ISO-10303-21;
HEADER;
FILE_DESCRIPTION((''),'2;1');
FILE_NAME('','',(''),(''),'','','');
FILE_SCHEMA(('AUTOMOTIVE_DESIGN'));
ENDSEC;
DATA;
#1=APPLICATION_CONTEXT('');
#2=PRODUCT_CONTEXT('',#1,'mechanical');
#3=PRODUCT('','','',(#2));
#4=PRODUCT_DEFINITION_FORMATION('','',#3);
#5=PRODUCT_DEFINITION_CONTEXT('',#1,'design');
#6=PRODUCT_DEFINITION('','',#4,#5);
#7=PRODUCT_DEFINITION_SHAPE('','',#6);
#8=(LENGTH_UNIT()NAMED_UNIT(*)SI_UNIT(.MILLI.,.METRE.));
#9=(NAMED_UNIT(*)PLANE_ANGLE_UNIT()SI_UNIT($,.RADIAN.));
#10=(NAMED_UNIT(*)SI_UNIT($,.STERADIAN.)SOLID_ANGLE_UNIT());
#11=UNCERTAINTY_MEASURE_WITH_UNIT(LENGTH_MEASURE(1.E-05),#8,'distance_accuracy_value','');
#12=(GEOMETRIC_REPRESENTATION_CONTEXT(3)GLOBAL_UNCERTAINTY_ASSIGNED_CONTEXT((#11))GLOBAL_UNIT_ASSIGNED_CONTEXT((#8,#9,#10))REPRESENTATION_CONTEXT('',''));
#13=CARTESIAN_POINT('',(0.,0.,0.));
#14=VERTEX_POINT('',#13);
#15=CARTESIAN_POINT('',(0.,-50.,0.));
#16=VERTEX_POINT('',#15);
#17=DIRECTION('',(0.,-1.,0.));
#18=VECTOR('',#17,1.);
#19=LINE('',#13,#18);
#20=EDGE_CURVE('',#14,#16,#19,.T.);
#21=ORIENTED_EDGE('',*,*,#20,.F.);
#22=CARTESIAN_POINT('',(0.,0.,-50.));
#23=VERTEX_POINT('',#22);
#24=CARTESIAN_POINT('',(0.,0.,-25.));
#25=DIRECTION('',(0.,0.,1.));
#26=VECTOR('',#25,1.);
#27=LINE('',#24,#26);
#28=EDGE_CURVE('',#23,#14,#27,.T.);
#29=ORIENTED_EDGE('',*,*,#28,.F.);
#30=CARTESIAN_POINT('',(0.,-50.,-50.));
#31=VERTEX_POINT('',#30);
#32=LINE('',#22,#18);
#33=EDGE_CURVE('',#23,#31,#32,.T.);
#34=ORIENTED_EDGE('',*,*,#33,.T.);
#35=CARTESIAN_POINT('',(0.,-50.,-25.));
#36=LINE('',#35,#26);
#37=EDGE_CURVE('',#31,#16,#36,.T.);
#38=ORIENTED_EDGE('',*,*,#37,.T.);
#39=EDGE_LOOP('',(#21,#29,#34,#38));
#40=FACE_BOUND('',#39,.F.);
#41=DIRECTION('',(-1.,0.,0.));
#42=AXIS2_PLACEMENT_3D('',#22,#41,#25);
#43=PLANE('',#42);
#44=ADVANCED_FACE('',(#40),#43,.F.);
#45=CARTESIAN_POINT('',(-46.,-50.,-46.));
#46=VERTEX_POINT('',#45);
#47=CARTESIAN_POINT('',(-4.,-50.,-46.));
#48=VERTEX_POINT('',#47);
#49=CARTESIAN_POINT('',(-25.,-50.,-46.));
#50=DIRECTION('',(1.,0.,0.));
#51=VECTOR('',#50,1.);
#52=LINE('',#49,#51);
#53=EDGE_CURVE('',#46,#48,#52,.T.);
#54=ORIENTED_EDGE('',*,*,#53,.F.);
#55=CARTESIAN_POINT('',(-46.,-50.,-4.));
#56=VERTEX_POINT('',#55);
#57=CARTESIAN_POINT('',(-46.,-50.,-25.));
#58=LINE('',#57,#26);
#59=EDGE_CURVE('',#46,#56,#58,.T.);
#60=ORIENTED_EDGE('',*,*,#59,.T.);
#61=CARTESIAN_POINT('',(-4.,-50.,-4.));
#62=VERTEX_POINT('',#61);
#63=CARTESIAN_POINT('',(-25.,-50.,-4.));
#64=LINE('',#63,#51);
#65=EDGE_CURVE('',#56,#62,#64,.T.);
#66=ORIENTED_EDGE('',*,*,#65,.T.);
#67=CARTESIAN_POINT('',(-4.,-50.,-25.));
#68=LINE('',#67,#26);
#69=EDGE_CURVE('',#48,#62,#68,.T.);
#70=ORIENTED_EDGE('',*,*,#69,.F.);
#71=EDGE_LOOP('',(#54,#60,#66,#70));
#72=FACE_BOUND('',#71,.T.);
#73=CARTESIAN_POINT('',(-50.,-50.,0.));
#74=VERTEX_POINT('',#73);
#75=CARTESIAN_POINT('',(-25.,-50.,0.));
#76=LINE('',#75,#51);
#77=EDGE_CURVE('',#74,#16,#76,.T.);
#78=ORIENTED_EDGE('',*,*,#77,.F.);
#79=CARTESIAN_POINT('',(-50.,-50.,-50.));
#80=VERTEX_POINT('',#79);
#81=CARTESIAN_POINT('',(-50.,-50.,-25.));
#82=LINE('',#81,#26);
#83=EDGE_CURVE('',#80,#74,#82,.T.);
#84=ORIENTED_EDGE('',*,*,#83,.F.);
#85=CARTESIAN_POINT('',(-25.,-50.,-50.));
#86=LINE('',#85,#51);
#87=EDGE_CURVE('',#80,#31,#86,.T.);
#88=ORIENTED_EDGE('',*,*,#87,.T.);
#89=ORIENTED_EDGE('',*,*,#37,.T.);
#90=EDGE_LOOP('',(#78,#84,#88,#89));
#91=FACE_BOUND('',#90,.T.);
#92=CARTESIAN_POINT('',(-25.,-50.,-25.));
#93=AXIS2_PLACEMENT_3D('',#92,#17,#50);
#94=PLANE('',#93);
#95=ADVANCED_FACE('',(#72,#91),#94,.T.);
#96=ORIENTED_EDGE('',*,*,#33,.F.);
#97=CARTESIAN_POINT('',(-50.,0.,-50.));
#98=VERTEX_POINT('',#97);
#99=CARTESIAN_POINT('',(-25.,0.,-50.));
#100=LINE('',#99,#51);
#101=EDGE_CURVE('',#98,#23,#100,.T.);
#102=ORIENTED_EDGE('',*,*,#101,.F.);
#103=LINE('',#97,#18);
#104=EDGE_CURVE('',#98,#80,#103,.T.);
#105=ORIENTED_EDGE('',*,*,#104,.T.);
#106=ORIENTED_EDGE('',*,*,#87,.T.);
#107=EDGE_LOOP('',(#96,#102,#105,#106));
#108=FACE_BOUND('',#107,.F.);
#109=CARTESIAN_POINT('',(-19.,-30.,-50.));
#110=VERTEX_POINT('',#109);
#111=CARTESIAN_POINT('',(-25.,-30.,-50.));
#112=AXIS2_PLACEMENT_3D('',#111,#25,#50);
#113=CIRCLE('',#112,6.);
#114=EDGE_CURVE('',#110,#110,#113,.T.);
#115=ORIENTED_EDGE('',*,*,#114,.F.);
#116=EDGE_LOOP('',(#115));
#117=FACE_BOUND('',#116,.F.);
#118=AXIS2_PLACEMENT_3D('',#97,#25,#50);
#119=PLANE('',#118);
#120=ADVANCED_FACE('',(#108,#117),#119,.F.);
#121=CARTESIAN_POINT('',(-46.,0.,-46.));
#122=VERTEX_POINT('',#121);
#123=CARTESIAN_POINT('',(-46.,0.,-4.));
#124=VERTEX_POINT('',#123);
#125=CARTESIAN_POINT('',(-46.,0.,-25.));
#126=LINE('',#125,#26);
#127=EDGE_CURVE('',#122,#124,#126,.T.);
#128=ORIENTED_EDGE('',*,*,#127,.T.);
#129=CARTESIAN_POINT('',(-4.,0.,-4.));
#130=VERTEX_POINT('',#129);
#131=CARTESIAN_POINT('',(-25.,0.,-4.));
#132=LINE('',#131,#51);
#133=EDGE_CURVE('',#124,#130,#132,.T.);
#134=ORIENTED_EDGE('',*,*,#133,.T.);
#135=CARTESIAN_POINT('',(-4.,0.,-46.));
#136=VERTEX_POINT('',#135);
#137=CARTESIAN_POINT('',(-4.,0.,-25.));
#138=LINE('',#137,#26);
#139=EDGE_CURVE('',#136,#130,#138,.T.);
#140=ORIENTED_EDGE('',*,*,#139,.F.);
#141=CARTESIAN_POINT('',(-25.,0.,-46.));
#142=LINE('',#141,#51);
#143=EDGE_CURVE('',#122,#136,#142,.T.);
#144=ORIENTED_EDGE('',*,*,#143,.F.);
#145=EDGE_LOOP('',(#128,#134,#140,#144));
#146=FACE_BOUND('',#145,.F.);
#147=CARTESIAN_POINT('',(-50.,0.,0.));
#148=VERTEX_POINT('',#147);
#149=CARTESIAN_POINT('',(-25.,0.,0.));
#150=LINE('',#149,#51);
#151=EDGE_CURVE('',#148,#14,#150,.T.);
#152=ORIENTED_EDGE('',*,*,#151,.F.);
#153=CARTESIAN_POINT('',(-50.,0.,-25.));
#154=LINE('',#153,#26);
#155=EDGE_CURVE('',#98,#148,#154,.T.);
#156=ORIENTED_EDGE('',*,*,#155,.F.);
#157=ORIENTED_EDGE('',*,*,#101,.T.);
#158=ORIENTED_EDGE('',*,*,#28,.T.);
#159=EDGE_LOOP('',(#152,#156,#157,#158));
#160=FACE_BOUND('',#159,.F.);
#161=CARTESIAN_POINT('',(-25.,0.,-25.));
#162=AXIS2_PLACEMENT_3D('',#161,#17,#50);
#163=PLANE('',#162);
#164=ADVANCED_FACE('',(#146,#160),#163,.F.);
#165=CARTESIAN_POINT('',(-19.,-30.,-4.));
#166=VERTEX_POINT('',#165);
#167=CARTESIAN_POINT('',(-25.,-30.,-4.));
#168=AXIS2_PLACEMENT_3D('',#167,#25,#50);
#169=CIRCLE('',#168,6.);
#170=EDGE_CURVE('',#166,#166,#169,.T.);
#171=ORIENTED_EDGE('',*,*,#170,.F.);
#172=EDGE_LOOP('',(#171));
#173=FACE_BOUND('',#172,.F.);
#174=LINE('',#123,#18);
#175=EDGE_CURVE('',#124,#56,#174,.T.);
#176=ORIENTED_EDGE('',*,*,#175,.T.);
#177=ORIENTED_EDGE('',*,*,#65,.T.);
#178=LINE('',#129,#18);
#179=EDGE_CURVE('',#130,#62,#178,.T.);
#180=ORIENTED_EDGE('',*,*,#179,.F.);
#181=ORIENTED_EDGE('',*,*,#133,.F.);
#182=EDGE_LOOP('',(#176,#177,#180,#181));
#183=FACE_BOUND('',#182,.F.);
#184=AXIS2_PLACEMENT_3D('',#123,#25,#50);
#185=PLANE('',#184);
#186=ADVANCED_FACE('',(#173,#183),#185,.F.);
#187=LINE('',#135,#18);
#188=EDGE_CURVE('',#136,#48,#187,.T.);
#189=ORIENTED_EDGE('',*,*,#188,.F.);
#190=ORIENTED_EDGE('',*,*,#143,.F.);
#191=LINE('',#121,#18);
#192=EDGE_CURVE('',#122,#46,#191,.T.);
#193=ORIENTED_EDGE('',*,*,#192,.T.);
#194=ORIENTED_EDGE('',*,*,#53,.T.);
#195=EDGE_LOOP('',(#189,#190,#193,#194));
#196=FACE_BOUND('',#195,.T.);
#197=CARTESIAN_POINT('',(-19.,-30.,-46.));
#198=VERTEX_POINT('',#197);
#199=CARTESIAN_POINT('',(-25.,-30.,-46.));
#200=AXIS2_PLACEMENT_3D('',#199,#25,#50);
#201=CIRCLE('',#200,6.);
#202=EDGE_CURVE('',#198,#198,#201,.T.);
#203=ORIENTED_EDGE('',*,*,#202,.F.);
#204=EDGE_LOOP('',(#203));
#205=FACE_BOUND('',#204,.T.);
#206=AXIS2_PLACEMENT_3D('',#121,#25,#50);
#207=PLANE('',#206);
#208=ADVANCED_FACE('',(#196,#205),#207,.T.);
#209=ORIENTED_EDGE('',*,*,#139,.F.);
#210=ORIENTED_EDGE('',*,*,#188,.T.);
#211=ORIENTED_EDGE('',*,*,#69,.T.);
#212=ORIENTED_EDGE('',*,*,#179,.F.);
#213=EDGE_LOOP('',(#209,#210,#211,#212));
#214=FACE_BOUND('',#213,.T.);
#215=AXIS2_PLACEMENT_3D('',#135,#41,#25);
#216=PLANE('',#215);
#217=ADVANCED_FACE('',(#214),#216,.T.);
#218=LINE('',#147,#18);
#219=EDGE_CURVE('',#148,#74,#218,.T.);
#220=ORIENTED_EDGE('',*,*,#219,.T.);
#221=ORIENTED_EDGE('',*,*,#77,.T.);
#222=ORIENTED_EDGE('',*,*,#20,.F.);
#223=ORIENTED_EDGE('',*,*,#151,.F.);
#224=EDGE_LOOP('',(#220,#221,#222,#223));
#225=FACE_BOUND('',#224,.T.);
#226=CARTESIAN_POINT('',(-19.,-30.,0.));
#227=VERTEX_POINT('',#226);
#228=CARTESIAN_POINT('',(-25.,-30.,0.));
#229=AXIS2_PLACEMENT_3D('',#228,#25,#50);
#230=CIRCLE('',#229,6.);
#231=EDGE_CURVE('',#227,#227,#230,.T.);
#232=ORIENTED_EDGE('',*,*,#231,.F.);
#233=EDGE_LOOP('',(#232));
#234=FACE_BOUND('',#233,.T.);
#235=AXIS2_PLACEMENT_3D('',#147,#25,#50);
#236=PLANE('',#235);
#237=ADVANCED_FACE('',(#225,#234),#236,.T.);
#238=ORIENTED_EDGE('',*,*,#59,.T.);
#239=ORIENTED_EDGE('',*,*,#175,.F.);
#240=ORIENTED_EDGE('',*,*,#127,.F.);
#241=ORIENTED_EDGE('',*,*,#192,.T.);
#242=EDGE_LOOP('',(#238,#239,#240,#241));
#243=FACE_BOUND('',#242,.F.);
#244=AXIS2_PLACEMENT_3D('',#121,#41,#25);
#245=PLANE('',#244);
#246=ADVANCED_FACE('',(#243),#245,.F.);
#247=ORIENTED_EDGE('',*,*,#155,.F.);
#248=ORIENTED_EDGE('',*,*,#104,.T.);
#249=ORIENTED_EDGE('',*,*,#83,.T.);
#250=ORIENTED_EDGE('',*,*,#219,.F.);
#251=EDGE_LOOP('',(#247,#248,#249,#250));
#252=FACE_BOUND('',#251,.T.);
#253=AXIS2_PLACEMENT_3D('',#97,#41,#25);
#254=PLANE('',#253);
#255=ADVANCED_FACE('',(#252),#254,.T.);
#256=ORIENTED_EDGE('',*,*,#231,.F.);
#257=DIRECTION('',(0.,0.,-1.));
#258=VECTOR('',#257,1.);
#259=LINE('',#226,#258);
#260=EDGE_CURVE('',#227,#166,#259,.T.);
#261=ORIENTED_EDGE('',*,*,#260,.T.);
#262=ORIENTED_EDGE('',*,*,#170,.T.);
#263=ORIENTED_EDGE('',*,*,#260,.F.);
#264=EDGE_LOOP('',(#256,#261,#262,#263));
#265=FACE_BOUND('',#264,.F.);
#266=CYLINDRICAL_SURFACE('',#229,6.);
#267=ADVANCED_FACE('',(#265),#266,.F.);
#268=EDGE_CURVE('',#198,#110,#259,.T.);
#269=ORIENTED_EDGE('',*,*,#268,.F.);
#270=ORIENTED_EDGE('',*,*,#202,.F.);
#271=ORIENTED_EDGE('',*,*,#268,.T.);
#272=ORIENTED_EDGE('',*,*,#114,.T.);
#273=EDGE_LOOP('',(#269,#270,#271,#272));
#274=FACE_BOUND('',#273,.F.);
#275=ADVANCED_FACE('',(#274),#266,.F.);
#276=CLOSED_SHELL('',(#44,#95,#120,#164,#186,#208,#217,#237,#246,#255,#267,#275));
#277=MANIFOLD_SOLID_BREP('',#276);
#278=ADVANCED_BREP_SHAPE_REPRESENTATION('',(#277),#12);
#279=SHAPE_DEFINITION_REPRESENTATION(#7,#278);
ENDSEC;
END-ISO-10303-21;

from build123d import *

# Parameters (mm, degrees)
F0_W     = 50
F0_H     = 50
F0_W_2   = 42
F0_H_2   = 42
F1_DEPTH = 50
F2_R     = 6
F3_DEPTH = 50.001


with BuildPart() as f1:
    # F0 (on Front) → F1 (new body)
    with BuildSketch(Plane.XZ):
        with Locations((-25, -25)):
            Rectangle(F0_W, F0_H)
        with Locations((-25, -25)):
            Rectangle(F0_W_2, F0_H_2, mode=Mode.SUBTRACT)
    extrude(amount=F1_DEPTH)

    # F2 (on face) → F3 (cut, through all)
    with BuildSketch(Plane.XY):
        with Locations((-25, -30)):
            Circle(F2_R)
    extrude(amount=-F3_DEPTH, mode=Mode.SUBTRACT)


solid = f1.part
